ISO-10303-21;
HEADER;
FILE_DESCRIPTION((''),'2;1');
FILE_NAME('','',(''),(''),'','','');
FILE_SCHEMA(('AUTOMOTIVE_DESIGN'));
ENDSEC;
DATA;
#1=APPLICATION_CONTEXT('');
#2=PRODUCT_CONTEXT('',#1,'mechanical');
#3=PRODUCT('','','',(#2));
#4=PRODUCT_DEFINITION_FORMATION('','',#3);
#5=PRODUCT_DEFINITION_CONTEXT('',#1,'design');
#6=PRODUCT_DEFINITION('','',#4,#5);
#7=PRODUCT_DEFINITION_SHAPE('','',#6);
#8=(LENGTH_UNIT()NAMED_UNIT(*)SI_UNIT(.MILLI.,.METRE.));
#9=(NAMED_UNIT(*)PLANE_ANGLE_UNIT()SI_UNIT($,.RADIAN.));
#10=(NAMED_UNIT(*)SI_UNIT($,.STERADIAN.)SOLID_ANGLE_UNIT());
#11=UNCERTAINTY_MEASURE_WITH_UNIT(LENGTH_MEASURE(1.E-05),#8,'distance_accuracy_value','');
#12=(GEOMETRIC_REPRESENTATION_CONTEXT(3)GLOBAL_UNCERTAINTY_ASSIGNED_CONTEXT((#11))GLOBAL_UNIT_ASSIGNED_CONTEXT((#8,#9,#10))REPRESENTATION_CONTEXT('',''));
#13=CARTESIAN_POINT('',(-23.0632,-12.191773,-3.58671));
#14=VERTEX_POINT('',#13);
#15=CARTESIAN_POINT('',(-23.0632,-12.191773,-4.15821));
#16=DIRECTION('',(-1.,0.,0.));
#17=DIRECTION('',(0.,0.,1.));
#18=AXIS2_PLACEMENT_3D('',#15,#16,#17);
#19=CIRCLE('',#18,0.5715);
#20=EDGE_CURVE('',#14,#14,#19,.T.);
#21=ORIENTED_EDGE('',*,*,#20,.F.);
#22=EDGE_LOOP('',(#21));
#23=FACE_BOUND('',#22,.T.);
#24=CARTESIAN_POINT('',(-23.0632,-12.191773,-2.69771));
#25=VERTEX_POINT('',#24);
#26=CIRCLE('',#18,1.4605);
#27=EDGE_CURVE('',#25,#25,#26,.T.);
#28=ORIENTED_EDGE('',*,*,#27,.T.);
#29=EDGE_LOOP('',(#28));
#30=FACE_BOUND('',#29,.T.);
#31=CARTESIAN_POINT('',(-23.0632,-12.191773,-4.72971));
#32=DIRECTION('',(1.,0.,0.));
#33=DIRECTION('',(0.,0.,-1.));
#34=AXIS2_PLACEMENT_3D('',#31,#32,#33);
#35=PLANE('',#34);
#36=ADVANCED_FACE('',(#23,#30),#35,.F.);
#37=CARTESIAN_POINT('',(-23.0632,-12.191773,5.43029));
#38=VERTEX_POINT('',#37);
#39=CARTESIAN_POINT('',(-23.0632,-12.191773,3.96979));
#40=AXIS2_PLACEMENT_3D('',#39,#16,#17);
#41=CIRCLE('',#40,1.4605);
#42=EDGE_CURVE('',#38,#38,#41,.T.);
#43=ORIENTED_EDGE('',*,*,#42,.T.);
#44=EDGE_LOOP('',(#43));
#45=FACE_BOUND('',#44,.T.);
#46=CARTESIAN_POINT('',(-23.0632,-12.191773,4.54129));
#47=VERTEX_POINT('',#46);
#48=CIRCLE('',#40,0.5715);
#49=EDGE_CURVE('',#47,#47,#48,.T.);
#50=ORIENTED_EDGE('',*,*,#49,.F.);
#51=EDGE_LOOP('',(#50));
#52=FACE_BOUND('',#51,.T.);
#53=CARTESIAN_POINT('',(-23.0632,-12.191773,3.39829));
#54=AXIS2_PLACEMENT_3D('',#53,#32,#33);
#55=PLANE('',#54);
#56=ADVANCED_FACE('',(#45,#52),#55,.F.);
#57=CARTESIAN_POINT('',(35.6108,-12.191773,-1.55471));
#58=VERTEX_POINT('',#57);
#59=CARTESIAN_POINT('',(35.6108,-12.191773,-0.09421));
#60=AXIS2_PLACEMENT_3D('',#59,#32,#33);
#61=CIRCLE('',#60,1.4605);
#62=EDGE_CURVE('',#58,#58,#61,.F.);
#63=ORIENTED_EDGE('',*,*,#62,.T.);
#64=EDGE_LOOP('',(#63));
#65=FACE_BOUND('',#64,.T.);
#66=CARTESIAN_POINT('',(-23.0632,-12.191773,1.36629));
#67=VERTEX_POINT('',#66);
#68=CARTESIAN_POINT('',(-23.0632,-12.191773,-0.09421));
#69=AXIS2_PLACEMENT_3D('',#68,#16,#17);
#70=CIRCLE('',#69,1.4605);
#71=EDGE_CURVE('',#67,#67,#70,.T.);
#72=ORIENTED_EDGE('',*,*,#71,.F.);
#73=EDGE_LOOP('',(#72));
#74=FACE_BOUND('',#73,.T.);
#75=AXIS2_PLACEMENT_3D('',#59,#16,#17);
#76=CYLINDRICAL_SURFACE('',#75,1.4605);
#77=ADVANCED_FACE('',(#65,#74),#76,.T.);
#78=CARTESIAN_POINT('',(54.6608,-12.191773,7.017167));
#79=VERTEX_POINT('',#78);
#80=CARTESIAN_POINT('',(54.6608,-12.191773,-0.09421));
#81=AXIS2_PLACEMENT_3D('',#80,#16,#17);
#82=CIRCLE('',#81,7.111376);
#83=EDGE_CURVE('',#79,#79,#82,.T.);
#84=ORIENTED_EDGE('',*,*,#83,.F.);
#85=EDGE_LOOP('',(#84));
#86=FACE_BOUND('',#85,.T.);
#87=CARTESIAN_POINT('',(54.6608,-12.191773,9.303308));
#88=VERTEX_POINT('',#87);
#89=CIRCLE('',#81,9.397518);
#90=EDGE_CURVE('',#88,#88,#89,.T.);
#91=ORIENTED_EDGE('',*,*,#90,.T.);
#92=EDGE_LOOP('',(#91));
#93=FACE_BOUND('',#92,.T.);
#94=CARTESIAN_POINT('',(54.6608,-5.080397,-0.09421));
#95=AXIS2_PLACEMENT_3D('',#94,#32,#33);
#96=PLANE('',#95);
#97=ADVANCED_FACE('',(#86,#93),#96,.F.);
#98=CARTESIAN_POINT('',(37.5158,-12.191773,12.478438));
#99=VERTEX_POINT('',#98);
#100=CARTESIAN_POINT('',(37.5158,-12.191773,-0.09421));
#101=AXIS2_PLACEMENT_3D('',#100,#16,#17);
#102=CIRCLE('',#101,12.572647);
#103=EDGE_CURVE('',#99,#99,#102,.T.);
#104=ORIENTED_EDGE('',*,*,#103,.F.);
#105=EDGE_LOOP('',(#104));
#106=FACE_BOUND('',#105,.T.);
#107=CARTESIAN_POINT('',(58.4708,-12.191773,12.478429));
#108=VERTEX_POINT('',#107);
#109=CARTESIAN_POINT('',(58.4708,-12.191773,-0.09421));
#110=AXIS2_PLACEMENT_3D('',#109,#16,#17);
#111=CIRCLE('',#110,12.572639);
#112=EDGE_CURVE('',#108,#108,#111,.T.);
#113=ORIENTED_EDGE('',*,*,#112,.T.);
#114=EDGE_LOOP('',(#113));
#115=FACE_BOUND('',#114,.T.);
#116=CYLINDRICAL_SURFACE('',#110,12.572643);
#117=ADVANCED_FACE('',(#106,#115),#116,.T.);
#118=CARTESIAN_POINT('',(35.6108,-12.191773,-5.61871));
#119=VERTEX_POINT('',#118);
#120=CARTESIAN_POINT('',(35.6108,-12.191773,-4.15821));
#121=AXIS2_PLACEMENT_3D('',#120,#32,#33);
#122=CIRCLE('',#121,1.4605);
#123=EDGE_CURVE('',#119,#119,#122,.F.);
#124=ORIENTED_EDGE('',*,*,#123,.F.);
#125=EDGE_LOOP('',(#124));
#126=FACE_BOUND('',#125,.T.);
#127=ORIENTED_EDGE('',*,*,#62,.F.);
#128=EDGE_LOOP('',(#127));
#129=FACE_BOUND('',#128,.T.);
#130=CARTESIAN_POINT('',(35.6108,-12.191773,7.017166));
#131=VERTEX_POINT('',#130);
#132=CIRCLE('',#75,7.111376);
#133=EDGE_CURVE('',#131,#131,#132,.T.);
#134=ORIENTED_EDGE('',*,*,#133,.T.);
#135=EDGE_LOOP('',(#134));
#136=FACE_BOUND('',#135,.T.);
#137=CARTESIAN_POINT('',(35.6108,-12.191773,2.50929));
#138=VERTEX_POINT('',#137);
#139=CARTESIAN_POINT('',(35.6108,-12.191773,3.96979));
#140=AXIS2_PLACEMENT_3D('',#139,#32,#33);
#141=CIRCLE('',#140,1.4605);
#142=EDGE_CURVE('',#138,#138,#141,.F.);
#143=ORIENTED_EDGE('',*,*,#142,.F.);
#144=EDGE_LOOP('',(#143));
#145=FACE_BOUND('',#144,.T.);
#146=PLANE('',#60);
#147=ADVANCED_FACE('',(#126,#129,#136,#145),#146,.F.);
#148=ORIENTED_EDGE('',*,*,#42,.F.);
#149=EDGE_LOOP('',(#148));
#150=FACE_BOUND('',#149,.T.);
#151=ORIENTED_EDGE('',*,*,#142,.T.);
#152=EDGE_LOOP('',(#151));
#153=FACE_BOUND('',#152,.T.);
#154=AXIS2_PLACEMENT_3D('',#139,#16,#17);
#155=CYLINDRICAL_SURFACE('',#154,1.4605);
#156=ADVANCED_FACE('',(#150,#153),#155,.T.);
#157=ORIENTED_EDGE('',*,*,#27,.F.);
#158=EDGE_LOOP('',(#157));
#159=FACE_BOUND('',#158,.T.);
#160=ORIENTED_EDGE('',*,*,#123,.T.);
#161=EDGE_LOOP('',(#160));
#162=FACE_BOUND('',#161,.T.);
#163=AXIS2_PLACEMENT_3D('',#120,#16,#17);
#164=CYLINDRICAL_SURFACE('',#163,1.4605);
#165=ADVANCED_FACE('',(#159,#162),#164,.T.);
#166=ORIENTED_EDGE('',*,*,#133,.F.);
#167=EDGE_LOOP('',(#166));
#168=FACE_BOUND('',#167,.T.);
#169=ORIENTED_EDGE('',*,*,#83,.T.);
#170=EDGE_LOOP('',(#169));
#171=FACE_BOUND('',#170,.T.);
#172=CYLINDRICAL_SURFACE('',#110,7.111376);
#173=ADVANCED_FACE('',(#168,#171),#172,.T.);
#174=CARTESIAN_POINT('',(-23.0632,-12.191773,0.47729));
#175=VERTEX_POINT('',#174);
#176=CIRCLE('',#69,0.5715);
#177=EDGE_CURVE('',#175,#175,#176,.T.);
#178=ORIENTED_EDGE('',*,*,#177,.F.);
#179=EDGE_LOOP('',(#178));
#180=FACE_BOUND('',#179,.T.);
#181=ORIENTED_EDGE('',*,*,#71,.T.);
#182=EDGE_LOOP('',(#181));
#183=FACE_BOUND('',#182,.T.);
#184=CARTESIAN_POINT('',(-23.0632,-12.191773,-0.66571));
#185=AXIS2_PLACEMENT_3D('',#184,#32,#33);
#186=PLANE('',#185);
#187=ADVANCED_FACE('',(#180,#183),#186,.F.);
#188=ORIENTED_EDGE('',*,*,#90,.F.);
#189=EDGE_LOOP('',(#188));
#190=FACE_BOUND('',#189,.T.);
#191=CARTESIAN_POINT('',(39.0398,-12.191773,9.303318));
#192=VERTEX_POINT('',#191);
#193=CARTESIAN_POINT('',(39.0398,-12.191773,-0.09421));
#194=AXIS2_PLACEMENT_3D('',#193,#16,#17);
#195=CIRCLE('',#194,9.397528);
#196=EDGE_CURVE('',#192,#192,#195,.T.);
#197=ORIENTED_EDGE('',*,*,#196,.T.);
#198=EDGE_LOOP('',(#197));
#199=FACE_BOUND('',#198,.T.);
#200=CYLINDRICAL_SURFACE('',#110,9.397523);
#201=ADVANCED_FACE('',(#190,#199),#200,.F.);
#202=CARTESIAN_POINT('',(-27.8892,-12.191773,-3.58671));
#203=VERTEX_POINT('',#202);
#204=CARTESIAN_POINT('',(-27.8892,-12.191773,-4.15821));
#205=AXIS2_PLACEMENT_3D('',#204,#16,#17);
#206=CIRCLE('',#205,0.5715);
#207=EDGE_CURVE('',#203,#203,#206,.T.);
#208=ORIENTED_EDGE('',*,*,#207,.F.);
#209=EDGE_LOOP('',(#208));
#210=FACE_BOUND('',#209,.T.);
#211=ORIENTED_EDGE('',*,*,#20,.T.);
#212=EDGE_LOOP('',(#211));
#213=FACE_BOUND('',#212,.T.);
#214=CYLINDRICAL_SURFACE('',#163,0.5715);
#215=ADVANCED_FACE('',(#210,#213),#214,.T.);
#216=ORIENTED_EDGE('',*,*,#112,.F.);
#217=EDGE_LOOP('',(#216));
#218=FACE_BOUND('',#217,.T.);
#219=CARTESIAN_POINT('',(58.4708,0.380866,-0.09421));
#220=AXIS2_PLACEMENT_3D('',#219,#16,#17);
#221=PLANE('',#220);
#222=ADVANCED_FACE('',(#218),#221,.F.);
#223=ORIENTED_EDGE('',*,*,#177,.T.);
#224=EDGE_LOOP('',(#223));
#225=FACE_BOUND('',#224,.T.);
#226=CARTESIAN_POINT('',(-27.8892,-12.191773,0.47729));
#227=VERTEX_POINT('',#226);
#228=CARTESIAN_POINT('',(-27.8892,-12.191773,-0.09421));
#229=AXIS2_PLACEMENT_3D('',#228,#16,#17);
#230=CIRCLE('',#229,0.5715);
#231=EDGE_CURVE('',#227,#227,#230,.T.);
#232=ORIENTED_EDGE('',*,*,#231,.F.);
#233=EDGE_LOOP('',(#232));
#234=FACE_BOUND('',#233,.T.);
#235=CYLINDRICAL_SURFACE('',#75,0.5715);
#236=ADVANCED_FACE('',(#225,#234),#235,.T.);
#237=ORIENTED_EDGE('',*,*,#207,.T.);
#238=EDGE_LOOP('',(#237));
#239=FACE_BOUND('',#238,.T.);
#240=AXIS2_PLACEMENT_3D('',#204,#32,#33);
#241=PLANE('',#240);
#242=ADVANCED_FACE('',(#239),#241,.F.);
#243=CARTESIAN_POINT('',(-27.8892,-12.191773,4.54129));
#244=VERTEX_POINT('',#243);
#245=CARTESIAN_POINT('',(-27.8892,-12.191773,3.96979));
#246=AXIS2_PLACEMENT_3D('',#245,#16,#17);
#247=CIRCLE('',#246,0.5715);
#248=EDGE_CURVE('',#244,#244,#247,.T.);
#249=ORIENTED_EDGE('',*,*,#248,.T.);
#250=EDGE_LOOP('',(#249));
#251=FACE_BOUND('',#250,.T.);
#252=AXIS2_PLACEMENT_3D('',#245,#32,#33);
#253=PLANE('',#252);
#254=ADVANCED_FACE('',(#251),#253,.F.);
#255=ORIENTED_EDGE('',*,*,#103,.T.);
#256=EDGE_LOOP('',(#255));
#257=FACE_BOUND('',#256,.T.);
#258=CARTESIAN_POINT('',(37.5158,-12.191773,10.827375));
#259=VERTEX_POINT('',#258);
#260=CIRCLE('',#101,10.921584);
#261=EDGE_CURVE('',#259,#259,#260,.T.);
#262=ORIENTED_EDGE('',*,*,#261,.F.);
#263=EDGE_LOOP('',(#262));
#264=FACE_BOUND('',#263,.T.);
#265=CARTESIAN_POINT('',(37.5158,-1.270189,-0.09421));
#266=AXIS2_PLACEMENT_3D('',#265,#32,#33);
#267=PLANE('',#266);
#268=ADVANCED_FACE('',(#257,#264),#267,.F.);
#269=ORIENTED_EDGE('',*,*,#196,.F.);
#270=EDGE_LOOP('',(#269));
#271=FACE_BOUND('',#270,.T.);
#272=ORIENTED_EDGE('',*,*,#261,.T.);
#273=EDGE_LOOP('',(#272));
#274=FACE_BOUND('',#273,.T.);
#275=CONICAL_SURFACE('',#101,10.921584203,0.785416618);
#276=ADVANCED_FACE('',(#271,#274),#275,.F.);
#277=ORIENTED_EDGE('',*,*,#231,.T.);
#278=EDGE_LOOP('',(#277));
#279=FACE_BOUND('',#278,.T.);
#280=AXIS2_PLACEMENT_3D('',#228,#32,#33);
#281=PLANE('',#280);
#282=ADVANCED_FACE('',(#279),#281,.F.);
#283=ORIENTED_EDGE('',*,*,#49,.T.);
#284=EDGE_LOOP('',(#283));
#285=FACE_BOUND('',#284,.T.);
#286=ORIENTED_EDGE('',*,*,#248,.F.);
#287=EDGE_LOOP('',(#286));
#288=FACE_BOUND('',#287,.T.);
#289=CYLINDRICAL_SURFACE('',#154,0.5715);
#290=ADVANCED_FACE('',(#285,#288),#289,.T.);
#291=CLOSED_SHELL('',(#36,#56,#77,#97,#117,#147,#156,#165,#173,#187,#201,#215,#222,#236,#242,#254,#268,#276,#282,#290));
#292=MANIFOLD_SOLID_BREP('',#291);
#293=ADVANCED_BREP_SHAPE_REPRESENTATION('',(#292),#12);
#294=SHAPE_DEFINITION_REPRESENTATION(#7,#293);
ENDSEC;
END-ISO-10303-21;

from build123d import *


with BuildPart() as part:
    # Sketch1 → Revolve1 (revolve)
    with BuildSketch(Plane.XY.offset(-0.0942096)):
        Polygon((35.6108, -12.191773113), (35.6108, -5.080397281), (54.6608, -5.080396955), (54.6608, -2.794255147), (39.0398, -2.794245161), (37.5158, -1.270188911), (37.5158, 0.380874088), (58.4708, 0.380865578), (58.4708, -12.191773113), align=None)
    revolve(axis=Axis((58.4708, -12.191773113, -0.0942096), (-1, 0, 0)))

    # Sketch2 → Revolve2 (revolve)
    with BuildSketch(Plane(origin=(0, -12.191772951, 0), x_dir=(1, 0, 0), z_dir=(0, 1, 0))):
        Polygon((-27.8892, -3.9697904), (-27.8892, -3.3982904), (-23.0632, -3.3982904), (-23.0632, -2.509290489), (35.6108, -2.509290489), (35.6108, -3.9697904), align=None)
    revolve(axis=Axis((35.6108, -12.191772951, 3.9697904), (-1, 0, 0)))

    # Sketch3 → Revolve3 (revolve)
    with BuildSketch(Plane(origin=(0, -12.191772951, 0), x_dir=(1, 0, 0), z_dir=(0, 1, 0))):
        Polygon((-27.8892, 4.1582096), (-27.8892, 4.7297096), (-23.0632, 4.7297096), (-23.0632, 5.618709512), (35.6108, 5.618709512), (35.6108, 4.1582096), align=None)
    revolve(axis=Axis((35.6108, -12.191772951, -4.1582096), (-1, 0, 0)))

    # Sketch4 → Revolve4 (revolve)
    with BuildSketch(Plane(origin=(0, -12.191772951, 0), x_dir=(1, 0, 0), z_dir=(0, 1, 0))):
        Polygon((-27.8892, 0.0942096), (-27.8892, 0.6657096), (-23.0632, 0.6657096), (-23.0632, 1.554709511), (35.6108, 1.554709511), (35.6108, 0.0942096), align=None)
    revolve(axis=Axis((35.6108, -12.191772951, -0.0942096), (-1, 0, 0)))


solid = part.part
